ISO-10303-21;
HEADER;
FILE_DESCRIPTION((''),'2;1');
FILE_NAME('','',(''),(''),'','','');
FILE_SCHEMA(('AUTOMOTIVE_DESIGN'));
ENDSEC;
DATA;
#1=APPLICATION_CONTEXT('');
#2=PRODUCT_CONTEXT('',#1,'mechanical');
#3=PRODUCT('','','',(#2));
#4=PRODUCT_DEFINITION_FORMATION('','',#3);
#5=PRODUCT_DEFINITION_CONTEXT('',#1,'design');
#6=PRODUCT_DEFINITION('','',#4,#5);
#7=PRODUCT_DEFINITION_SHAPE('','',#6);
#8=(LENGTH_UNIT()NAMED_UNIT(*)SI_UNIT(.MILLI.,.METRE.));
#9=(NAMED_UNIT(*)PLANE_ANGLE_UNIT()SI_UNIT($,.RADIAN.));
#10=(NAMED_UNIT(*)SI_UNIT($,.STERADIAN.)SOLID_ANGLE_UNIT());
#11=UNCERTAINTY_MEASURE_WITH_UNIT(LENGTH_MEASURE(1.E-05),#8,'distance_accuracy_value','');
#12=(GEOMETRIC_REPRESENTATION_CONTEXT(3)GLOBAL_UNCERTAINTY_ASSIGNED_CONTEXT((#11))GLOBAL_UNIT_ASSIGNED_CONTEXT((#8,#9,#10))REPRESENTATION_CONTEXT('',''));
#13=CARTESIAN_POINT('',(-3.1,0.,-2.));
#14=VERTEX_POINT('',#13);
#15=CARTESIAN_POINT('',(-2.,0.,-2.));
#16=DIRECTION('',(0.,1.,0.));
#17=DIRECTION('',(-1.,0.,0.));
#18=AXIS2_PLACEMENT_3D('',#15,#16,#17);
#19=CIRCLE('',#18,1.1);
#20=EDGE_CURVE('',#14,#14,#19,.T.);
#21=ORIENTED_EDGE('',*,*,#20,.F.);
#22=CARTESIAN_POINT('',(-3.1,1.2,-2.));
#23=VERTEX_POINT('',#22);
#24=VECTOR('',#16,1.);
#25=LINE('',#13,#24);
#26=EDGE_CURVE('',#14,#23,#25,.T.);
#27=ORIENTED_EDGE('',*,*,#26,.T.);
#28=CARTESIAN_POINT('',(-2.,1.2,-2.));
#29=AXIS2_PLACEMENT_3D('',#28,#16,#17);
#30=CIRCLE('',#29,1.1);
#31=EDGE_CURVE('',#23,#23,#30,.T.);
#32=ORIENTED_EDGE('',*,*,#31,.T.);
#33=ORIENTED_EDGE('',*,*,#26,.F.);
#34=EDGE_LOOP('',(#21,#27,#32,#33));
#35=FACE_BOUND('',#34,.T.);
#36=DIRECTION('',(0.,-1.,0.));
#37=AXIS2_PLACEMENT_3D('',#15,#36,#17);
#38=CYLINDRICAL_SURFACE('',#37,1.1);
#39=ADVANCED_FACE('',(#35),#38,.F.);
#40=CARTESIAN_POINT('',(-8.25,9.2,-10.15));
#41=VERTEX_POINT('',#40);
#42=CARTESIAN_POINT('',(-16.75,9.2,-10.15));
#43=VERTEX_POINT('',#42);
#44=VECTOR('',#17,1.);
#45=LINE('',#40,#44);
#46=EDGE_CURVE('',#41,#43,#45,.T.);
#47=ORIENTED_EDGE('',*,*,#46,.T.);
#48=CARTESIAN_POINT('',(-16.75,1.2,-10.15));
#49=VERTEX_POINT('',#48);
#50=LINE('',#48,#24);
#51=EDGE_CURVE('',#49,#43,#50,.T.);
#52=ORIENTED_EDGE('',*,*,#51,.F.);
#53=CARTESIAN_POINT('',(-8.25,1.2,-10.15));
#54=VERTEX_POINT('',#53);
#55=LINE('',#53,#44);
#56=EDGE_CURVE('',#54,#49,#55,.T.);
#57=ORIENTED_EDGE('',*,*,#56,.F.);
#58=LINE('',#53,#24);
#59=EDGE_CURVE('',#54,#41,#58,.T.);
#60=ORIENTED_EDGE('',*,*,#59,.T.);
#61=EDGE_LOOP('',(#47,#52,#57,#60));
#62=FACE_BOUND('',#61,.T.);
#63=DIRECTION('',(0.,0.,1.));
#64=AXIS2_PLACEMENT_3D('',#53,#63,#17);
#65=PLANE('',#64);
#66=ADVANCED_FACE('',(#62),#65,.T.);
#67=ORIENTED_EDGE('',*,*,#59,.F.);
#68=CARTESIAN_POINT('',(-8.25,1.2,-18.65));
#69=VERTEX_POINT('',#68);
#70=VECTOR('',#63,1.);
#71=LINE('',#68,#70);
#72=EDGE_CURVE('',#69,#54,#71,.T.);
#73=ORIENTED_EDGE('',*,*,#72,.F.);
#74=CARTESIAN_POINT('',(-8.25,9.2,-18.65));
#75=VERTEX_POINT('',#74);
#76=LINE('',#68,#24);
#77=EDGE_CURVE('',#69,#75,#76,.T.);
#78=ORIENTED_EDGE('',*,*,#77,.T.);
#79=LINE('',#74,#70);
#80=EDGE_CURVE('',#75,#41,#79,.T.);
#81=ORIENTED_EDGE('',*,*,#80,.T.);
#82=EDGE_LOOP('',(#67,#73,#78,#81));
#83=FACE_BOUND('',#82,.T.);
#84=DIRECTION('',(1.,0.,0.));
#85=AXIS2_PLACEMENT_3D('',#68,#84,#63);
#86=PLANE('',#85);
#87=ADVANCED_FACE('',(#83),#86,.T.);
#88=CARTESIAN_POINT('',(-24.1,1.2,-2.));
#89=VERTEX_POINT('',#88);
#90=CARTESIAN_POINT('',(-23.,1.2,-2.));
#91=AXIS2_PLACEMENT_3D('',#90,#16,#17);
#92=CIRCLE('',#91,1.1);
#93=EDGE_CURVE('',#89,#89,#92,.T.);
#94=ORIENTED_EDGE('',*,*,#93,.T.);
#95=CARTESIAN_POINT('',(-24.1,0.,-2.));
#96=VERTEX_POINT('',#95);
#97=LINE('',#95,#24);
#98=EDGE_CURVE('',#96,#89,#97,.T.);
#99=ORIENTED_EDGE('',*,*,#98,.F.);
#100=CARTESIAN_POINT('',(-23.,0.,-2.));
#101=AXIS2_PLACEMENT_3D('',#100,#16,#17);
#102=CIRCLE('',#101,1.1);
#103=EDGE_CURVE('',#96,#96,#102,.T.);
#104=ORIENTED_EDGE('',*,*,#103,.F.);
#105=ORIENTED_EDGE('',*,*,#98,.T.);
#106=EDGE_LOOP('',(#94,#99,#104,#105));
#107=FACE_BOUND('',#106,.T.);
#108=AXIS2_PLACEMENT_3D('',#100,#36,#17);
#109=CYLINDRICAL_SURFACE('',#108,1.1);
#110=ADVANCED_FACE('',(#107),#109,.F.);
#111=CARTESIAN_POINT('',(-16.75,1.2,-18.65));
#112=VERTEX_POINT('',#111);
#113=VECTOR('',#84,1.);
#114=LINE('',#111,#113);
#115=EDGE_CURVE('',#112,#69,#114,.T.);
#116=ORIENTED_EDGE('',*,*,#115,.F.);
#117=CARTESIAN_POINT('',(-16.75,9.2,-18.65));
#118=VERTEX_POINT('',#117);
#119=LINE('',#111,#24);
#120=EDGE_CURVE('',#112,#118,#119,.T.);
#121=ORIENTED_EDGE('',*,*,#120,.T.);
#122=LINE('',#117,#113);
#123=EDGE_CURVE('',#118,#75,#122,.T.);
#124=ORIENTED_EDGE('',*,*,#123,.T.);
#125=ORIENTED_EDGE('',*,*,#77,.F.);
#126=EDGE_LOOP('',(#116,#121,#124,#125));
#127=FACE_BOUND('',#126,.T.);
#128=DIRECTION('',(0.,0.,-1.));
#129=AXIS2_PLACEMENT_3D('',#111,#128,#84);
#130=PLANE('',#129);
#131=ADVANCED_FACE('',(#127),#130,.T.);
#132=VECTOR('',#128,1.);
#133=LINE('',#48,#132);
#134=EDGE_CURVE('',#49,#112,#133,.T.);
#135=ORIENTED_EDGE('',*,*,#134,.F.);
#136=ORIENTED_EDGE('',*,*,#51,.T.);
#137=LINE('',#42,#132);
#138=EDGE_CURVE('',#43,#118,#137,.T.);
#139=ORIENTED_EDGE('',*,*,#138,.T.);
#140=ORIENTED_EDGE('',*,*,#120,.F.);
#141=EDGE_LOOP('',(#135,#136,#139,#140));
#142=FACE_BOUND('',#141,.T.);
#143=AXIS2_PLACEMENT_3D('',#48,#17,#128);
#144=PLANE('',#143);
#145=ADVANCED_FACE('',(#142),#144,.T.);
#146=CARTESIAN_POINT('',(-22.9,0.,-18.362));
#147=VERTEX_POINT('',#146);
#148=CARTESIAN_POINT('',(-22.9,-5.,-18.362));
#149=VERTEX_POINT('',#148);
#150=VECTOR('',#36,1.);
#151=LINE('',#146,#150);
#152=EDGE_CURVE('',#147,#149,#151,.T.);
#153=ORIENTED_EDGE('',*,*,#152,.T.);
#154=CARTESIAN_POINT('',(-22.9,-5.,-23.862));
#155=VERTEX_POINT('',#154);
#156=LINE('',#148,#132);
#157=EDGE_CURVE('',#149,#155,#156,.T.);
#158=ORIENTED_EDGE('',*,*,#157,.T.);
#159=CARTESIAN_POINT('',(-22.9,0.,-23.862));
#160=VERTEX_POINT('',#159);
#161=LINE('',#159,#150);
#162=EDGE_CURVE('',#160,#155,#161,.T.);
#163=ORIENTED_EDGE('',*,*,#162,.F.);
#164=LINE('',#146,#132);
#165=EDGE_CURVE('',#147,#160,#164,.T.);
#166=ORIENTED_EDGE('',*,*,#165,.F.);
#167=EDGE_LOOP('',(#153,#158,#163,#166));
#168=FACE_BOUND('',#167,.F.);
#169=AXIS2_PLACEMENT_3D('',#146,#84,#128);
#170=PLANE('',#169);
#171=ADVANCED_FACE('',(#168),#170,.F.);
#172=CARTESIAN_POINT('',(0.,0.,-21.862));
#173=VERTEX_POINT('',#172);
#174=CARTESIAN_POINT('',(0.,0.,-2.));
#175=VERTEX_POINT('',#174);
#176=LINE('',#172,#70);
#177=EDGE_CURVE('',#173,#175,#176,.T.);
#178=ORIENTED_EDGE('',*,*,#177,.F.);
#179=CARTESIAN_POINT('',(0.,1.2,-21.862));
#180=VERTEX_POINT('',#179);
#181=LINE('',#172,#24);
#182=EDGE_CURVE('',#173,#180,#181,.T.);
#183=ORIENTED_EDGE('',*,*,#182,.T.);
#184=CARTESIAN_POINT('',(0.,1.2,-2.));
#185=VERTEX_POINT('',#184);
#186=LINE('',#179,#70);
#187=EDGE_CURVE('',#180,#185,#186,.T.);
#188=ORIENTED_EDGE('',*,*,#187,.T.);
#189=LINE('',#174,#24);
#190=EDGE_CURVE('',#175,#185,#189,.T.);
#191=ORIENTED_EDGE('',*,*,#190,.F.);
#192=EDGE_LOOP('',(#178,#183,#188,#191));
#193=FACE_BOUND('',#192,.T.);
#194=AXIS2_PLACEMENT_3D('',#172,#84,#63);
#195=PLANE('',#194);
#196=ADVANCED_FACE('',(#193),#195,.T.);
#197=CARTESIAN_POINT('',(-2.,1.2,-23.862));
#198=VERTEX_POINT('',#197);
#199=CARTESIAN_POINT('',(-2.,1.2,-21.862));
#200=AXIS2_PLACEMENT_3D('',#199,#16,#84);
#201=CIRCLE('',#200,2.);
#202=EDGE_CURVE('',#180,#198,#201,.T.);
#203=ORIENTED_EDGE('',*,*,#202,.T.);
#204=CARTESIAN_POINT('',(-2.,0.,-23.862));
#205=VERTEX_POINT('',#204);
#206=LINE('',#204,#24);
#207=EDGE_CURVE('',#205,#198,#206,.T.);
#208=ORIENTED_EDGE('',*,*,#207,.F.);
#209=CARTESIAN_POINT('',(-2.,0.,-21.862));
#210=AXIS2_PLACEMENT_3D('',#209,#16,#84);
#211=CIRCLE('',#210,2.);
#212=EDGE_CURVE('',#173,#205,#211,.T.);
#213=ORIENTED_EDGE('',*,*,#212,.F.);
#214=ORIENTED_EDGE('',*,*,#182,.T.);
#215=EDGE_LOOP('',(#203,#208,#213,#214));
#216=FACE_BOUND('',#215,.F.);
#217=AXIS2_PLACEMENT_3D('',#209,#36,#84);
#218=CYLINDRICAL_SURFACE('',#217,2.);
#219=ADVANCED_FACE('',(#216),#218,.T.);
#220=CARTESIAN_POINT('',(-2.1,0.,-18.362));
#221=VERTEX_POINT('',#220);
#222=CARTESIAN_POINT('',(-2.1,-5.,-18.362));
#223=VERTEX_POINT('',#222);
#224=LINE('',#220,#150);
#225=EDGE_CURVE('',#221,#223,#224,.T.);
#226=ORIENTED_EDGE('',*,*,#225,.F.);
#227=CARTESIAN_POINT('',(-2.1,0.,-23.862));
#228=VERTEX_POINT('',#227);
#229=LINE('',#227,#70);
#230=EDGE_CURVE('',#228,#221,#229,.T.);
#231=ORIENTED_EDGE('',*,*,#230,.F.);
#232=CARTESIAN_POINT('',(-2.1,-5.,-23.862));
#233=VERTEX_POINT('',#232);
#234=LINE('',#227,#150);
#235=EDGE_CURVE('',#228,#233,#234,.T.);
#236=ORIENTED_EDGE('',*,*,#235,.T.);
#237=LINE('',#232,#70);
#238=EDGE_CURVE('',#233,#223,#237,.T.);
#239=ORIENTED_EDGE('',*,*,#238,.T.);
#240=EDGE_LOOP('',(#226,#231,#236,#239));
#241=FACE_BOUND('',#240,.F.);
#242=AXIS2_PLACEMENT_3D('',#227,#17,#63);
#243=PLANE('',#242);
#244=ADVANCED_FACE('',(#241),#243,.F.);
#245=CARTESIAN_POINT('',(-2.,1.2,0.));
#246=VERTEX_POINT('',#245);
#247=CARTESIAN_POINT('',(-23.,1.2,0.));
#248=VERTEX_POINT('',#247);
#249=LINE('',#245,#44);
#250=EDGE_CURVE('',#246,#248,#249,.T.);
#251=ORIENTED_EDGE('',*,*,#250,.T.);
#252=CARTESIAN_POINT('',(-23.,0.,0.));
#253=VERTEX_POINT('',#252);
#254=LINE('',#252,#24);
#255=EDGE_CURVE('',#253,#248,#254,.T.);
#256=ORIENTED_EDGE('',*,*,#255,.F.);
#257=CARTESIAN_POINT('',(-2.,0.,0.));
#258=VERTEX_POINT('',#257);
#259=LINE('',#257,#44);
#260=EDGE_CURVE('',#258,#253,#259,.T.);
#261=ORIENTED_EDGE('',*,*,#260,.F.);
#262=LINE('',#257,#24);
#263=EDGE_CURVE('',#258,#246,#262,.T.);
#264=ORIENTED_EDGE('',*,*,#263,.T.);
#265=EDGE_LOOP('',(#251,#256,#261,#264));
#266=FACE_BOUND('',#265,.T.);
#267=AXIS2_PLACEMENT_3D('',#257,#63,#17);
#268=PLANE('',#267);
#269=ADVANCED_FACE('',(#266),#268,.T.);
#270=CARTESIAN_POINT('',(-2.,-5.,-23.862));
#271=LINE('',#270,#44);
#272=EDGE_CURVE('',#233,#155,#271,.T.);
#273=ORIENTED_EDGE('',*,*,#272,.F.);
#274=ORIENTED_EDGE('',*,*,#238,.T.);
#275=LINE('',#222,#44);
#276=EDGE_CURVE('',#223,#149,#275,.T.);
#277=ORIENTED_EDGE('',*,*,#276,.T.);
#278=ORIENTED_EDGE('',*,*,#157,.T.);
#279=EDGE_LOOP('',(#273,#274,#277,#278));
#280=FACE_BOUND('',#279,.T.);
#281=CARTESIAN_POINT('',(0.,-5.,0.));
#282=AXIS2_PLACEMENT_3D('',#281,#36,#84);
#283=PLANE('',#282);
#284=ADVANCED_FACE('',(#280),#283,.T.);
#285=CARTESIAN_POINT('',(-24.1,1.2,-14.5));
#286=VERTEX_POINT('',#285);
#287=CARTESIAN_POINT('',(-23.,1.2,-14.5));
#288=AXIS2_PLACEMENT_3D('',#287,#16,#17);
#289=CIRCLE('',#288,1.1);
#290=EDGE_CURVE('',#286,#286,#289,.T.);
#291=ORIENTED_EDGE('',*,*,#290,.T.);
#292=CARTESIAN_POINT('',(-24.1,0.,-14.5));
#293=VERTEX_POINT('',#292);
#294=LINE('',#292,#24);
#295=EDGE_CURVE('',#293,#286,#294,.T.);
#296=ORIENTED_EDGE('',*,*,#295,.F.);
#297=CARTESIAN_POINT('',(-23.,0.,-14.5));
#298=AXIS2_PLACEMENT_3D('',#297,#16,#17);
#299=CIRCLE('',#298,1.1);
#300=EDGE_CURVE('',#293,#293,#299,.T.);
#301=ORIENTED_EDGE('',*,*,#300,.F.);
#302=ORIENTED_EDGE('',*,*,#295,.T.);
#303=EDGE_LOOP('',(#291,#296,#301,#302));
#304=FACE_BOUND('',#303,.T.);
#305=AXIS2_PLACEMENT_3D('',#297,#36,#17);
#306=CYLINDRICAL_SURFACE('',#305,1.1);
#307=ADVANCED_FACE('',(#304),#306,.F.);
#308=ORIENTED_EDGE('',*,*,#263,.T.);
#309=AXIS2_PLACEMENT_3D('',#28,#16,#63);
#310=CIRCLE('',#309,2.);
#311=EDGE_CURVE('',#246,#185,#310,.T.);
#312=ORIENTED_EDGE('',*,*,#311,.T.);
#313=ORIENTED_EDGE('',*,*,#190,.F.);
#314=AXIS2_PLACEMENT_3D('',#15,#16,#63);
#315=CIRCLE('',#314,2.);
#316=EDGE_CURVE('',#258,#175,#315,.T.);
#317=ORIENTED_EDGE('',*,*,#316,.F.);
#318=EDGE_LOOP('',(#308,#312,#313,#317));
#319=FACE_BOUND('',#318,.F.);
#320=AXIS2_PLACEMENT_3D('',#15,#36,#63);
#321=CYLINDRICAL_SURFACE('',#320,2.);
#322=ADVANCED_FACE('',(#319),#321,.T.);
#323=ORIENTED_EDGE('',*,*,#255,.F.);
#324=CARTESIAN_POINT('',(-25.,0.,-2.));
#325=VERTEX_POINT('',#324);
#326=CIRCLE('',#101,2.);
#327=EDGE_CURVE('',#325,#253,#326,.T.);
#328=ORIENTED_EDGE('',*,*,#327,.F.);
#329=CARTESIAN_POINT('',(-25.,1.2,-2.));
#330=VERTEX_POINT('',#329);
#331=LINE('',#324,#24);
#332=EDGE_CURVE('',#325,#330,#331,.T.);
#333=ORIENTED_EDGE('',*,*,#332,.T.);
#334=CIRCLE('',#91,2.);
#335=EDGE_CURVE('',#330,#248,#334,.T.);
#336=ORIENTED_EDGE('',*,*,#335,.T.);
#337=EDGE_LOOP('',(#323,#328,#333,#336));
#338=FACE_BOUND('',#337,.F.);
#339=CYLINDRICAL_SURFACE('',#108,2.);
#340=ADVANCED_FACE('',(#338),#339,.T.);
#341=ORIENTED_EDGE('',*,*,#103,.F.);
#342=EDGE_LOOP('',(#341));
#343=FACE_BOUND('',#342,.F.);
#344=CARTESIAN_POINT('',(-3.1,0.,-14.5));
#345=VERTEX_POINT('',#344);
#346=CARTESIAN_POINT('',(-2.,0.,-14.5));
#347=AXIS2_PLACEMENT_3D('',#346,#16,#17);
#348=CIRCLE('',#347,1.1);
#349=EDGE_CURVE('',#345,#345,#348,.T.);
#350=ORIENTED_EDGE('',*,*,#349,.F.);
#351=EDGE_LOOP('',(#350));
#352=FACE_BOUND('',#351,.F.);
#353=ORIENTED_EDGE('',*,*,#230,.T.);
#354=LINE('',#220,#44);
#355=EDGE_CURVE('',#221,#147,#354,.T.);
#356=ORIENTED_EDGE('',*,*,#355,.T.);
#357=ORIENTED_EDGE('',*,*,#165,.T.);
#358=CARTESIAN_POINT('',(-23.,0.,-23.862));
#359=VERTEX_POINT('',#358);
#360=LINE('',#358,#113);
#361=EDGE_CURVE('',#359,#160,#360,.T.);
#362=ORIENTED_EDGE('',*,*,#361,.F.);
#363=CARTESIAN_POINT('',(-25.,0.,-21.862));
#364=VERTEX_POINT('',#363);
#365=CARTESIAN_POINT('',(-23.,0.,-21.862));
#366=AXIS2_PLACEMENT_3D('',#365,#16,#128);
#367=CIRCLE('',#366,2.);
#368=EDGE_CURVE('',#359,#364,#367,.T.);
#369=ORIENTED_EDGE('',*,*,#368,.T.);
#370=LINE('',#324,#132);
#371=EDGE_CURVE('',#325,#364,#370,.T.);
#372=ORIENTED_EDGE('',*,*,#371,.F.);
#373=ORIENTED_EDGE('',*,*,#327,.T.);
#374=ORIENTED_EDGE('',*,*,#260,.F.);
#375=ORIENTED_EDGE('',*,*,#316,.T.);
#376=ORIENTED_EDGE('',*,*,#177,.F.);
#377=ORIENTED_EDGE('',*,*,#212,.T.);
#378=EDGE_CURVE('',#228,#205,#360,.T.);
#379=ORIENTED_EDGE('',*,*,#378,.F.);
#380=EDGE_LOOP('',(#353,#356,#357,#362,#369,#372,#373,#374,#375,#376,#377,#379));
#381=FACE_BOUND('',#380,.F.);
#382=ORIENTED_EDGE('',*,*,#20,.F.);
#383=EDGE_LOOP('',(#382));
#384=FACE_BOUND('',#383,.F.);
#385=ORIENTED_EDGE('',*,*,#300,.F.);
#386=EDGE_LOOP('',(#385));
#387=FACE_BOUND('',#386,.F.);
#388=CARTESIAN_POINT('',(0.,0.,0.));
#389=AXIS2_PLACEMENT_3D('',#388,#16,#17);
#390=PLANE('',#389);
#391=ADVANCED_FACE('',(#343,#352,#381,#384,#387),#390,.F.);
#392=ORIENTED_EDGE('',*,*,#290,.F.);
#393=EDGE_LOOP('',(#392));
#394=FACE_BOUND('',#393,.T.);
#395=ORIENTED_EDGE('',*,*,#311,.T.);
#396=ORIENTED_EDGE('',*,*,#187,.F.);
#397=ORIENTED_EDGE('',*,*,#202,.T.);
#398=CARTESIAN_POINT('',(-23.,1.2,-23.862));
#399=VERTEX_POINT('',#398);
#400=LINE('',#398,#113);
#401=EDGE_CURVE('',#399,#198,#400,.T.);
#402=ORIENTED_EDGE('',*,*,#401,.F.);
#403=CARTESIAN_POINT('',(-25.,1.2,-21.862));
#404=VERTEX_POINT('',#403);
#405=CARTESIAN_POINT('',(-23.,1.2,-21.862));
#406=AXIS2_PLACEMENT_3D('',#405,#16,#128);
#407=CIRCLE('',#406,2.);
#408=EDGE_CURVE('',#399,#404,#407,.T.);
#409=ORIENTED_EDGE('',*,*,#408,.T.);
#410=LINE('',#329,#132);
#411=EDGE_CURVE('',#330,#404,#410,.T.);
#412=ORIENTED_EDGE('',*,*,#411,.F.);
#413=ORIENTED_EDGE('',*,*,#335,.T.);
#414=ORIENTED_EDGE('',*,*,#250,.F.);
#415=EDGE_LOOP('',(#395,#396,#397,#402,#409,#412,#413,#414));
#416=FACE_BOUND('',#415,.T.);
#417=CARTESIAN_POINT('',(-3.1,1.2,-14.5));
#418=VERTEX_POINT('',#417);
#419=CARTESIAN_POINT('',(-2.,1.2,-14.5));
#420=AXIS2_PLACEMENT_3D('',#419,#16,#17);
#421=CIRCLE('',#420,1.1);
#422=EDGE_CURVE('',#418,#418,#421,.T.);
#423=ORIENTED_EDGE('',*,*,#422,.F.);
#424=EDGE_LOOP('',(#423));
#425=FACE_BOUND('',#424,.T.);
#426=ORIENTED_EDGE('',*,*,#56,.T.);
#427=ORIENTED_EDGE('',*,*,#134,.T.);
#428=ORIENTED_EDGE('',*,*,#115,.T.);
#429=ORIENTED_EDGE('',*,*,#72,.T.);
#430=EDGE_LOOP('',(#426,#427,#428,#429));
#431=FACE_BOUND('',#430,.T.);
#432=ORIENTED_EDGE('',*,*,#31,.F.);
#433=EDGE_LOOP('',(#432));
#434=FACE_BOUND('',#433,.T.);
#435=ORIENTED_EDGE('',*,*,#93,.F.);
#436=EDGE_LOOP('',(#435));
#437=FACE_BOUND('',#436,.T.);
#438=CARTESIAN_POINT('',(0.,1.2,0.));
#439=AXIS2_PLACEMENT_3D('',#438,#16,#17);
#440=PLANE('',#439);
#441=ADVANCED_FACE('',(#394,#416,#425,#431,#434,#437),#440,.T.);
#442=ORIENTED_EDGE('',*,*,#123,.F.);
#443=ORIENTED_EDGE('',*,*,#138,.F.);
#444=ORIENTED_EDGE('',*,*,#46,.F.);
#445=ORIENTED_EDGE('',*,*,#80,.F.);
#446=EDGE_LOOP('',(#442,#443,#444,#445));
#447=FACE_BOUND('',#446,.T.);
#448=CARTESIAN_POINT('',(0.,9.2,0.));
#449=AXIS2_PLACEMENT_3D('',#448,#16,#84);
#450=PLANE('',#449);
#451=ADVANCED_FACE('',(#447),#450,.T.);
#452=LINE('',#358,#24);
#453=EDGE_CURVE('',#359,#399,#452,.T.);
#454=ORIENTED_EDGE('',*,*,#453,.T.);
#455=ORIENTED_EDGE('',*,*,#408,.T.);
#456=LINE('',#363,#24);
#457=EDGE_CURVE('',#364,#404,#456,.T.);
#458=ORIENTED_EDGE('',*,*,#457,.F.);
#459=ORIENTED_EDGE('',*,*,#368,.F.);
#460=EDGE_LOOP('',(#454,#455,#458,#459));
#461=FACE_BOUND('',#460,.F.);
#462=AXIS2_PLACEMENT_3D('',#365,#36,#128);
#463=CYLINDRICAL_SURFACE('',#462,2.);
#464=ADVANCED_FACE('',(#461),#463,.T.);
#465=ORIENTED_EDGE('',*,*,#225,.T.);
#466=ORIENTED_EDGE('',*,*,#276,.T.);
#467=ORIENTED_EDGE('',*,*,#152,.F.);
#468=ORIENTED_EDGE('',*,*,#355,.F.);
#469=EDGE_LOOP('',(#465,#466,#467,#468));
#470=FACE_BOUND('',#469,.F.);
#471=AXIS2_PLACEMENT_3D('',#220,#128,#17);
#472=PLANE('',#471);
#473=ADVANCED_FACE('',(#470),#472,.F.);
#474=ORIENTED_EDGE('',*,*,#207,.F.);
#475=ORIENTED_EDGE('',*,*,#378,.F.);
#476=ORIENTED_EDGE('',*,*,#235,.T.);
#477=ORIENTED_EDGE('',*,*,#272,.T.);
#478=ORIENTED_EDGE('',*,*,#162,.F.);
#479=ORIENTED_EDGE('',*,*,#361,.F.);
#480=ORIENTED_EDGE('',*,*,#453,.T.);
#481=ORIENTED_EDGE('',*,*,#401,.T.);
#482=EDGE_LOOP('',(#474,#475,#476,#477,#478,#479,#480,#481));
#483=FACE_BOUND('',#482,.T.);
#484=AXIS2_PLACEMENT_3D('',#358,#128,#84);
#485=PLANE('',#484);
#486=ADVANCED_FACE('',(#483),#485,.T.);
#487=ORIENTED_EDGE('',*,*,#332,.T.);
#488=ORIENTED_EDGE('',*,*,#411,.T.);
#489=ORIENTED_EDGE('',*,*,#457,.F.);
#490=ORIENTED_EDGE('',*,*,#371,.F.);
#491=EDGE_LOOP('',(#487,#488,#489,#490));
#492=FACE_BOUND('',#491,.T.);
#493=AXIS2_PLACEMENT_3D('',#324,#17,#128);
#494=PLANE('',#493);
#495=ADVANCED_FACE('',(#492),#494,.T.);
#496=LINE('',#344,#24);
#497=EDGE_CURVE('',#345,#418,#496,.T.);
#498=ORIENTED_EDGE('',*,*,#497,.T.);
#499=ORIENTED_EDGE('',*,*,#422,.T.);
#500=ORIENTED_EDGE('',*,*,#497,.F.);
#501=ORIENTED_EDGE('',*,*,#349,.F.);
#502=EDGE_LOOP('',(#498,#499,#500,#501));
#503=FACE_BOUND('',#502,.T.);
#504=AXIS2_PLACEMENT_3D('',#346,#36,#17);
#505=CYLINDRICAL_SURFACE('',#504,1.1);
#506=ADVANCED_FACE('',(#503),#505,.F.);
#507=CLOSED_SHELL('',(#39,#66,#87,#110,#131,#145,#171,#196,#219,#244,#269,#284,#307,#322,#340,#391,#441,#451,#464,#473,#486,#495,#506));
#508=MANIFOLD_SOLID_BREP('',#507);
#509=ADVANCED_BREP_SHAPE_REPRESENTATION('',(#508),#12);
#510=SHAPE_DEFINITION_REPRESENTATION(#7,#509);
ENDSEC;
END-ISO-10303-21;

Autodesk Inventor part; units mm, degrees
ref_plane "YZ Plane" through (0, 0, 0) normal (1, 0, 0) x (0, 1, 0)
ref_plane "XZ Plane" through (0, 0, 0) normal (0, 1, 0) x (-1, 0, 0)
ref_plane "XY Plane" through (0, 0, 0) normal (0, 0, 1) x (1, 0, 0)
sketch "Sketch1" plane through (0, 0, 0) normal (0, 1, 0) x (-1, 0, 0)
  line L0 (2, 0) -> (23, 0)
  line L1 (25, -2) -> (25, -21.862)
  line L2 (23, -23.862) -> (2, -23.862)
  line L3 (0, -21.862) -> (0, -2)
  arc A0 (25, -2) -> (23, 0) centre (23, -2) ccw
  arc A1 (23, -23.862) -> (25, -21.862) centre (23, -21.862) ccw
  arc A2 (0, -21.862) -> (2, -23.862) centre (2, -21.862) ccw
  arc A3 (2, 0) -> (0, -2) centre (2, -2) ccw
  line L4 (23, 0) -> (23, -23.862) construction
  line L5 (2, -23.862) -> (2, 0) construction
  line L6 (25, -2) -> (0, -2) construction
  line L7 (0, -14.5) -> (25, -14.5) construction
  circle A4 centre (23, -2) radius 1.1
  circle A5 centre (23, -14.5) radius 1.1
  circle A6 centre (2, -14.5) radius 1.1
  circle A7 centre (2, -2) radius 1.1
  point P0 (0, 0)
  point P1 (25, -23.862)
  point P2 (25, 0)
  point P3 (0, -23.862)
  dimension "d0" = 25
  dimension "d1" = 23.862
  dimension "d2" = 2
  dimension "d3" = 2
  dimension "d4" = 14.5
  dimension "d5" = 2
  dimension "d6" = 2
  dimension "d7" = 2.2
  dimension "d8" = 2.2
  dimension "d9" = 2.2
  dimension "d10" = 2.2
extrude "Extrusion1" add sketch "Sketch1" along normal blind 1.2
sketch "Sketch2" plane through (0, 1.2, 0) normal (0, 1, 0) x (1, 0, 0)
  line L0 (-25, 21.862) -> (-25, 2) construction
  line L1 (-25, 11.931) -> (0, 11.931) construction
  line L2 (0, 2) -> (0, 21.862) construction
  line L3 (-2, 23.862) -> (-23, 23.862) construction
  line L4 (-12.5, 23.862) -> (-12.5, 0) construction
  line L5 (-23, 0) -> (-2, 0) construction
  line L6 (-16.75, 18.65) -> (-8.25, 18.65)
  line L7 (-8.25, 18.65) -> (-8.25, 10.15)
  line L8 (-8.25, 10.15) -> (-16.75, 10.15)
  line L9 (-16.75, 10.15) -> (-16.75, 18.65)
  line L10 (-16.75, 14.4) -> (-8.25, 14.4) construction
  line L11 (-12.5, 18.65) -> (-12.5, 10.15) construction
  point P0 (0, 0)
  point P1 (-12.5, 14.4)
  dimension "d13" = 8.5
  dimension "d14" = 8.5
  dimension "d15" = 12.5
  dimension "d16" = 9.462
extrude "Extrusion2" add sketch "Sketch2" along normal blind 8
sketch "Sketch3" plane through (0, 0, 0) normal (0, -1, 0) x (1, 0, 0)
  line L0 (-2, -23.862) -> (-23, -23.862) projected
  line L1 (-22.9, -23.862) -> (-2.1, -23.862)
  line L2 (-2.1, -23.862) -> (-2.1, -18.362)
  line L3 (-2.1, -18.362) -> (-22.9, -18.362)
  line L4 (-22.9, -18.362) -> (-22.9, -23.862)
  line L5 (-12.5, -18.362) -> (-12.5, -23.862) construction
  point P0 (0, 0)
  dimension "d19" = 20.8
  dimension "d20" = 5.5
extrude "Extrusion3" add sketch "Sketch3" along normal blind 5
equation "\"d6\" = d5"
equation "\"d7\" = d8"
equation "\"d9\" = d8"
equation "\"d10\" = d8"
properties part number "RaspberryPiCamera"
